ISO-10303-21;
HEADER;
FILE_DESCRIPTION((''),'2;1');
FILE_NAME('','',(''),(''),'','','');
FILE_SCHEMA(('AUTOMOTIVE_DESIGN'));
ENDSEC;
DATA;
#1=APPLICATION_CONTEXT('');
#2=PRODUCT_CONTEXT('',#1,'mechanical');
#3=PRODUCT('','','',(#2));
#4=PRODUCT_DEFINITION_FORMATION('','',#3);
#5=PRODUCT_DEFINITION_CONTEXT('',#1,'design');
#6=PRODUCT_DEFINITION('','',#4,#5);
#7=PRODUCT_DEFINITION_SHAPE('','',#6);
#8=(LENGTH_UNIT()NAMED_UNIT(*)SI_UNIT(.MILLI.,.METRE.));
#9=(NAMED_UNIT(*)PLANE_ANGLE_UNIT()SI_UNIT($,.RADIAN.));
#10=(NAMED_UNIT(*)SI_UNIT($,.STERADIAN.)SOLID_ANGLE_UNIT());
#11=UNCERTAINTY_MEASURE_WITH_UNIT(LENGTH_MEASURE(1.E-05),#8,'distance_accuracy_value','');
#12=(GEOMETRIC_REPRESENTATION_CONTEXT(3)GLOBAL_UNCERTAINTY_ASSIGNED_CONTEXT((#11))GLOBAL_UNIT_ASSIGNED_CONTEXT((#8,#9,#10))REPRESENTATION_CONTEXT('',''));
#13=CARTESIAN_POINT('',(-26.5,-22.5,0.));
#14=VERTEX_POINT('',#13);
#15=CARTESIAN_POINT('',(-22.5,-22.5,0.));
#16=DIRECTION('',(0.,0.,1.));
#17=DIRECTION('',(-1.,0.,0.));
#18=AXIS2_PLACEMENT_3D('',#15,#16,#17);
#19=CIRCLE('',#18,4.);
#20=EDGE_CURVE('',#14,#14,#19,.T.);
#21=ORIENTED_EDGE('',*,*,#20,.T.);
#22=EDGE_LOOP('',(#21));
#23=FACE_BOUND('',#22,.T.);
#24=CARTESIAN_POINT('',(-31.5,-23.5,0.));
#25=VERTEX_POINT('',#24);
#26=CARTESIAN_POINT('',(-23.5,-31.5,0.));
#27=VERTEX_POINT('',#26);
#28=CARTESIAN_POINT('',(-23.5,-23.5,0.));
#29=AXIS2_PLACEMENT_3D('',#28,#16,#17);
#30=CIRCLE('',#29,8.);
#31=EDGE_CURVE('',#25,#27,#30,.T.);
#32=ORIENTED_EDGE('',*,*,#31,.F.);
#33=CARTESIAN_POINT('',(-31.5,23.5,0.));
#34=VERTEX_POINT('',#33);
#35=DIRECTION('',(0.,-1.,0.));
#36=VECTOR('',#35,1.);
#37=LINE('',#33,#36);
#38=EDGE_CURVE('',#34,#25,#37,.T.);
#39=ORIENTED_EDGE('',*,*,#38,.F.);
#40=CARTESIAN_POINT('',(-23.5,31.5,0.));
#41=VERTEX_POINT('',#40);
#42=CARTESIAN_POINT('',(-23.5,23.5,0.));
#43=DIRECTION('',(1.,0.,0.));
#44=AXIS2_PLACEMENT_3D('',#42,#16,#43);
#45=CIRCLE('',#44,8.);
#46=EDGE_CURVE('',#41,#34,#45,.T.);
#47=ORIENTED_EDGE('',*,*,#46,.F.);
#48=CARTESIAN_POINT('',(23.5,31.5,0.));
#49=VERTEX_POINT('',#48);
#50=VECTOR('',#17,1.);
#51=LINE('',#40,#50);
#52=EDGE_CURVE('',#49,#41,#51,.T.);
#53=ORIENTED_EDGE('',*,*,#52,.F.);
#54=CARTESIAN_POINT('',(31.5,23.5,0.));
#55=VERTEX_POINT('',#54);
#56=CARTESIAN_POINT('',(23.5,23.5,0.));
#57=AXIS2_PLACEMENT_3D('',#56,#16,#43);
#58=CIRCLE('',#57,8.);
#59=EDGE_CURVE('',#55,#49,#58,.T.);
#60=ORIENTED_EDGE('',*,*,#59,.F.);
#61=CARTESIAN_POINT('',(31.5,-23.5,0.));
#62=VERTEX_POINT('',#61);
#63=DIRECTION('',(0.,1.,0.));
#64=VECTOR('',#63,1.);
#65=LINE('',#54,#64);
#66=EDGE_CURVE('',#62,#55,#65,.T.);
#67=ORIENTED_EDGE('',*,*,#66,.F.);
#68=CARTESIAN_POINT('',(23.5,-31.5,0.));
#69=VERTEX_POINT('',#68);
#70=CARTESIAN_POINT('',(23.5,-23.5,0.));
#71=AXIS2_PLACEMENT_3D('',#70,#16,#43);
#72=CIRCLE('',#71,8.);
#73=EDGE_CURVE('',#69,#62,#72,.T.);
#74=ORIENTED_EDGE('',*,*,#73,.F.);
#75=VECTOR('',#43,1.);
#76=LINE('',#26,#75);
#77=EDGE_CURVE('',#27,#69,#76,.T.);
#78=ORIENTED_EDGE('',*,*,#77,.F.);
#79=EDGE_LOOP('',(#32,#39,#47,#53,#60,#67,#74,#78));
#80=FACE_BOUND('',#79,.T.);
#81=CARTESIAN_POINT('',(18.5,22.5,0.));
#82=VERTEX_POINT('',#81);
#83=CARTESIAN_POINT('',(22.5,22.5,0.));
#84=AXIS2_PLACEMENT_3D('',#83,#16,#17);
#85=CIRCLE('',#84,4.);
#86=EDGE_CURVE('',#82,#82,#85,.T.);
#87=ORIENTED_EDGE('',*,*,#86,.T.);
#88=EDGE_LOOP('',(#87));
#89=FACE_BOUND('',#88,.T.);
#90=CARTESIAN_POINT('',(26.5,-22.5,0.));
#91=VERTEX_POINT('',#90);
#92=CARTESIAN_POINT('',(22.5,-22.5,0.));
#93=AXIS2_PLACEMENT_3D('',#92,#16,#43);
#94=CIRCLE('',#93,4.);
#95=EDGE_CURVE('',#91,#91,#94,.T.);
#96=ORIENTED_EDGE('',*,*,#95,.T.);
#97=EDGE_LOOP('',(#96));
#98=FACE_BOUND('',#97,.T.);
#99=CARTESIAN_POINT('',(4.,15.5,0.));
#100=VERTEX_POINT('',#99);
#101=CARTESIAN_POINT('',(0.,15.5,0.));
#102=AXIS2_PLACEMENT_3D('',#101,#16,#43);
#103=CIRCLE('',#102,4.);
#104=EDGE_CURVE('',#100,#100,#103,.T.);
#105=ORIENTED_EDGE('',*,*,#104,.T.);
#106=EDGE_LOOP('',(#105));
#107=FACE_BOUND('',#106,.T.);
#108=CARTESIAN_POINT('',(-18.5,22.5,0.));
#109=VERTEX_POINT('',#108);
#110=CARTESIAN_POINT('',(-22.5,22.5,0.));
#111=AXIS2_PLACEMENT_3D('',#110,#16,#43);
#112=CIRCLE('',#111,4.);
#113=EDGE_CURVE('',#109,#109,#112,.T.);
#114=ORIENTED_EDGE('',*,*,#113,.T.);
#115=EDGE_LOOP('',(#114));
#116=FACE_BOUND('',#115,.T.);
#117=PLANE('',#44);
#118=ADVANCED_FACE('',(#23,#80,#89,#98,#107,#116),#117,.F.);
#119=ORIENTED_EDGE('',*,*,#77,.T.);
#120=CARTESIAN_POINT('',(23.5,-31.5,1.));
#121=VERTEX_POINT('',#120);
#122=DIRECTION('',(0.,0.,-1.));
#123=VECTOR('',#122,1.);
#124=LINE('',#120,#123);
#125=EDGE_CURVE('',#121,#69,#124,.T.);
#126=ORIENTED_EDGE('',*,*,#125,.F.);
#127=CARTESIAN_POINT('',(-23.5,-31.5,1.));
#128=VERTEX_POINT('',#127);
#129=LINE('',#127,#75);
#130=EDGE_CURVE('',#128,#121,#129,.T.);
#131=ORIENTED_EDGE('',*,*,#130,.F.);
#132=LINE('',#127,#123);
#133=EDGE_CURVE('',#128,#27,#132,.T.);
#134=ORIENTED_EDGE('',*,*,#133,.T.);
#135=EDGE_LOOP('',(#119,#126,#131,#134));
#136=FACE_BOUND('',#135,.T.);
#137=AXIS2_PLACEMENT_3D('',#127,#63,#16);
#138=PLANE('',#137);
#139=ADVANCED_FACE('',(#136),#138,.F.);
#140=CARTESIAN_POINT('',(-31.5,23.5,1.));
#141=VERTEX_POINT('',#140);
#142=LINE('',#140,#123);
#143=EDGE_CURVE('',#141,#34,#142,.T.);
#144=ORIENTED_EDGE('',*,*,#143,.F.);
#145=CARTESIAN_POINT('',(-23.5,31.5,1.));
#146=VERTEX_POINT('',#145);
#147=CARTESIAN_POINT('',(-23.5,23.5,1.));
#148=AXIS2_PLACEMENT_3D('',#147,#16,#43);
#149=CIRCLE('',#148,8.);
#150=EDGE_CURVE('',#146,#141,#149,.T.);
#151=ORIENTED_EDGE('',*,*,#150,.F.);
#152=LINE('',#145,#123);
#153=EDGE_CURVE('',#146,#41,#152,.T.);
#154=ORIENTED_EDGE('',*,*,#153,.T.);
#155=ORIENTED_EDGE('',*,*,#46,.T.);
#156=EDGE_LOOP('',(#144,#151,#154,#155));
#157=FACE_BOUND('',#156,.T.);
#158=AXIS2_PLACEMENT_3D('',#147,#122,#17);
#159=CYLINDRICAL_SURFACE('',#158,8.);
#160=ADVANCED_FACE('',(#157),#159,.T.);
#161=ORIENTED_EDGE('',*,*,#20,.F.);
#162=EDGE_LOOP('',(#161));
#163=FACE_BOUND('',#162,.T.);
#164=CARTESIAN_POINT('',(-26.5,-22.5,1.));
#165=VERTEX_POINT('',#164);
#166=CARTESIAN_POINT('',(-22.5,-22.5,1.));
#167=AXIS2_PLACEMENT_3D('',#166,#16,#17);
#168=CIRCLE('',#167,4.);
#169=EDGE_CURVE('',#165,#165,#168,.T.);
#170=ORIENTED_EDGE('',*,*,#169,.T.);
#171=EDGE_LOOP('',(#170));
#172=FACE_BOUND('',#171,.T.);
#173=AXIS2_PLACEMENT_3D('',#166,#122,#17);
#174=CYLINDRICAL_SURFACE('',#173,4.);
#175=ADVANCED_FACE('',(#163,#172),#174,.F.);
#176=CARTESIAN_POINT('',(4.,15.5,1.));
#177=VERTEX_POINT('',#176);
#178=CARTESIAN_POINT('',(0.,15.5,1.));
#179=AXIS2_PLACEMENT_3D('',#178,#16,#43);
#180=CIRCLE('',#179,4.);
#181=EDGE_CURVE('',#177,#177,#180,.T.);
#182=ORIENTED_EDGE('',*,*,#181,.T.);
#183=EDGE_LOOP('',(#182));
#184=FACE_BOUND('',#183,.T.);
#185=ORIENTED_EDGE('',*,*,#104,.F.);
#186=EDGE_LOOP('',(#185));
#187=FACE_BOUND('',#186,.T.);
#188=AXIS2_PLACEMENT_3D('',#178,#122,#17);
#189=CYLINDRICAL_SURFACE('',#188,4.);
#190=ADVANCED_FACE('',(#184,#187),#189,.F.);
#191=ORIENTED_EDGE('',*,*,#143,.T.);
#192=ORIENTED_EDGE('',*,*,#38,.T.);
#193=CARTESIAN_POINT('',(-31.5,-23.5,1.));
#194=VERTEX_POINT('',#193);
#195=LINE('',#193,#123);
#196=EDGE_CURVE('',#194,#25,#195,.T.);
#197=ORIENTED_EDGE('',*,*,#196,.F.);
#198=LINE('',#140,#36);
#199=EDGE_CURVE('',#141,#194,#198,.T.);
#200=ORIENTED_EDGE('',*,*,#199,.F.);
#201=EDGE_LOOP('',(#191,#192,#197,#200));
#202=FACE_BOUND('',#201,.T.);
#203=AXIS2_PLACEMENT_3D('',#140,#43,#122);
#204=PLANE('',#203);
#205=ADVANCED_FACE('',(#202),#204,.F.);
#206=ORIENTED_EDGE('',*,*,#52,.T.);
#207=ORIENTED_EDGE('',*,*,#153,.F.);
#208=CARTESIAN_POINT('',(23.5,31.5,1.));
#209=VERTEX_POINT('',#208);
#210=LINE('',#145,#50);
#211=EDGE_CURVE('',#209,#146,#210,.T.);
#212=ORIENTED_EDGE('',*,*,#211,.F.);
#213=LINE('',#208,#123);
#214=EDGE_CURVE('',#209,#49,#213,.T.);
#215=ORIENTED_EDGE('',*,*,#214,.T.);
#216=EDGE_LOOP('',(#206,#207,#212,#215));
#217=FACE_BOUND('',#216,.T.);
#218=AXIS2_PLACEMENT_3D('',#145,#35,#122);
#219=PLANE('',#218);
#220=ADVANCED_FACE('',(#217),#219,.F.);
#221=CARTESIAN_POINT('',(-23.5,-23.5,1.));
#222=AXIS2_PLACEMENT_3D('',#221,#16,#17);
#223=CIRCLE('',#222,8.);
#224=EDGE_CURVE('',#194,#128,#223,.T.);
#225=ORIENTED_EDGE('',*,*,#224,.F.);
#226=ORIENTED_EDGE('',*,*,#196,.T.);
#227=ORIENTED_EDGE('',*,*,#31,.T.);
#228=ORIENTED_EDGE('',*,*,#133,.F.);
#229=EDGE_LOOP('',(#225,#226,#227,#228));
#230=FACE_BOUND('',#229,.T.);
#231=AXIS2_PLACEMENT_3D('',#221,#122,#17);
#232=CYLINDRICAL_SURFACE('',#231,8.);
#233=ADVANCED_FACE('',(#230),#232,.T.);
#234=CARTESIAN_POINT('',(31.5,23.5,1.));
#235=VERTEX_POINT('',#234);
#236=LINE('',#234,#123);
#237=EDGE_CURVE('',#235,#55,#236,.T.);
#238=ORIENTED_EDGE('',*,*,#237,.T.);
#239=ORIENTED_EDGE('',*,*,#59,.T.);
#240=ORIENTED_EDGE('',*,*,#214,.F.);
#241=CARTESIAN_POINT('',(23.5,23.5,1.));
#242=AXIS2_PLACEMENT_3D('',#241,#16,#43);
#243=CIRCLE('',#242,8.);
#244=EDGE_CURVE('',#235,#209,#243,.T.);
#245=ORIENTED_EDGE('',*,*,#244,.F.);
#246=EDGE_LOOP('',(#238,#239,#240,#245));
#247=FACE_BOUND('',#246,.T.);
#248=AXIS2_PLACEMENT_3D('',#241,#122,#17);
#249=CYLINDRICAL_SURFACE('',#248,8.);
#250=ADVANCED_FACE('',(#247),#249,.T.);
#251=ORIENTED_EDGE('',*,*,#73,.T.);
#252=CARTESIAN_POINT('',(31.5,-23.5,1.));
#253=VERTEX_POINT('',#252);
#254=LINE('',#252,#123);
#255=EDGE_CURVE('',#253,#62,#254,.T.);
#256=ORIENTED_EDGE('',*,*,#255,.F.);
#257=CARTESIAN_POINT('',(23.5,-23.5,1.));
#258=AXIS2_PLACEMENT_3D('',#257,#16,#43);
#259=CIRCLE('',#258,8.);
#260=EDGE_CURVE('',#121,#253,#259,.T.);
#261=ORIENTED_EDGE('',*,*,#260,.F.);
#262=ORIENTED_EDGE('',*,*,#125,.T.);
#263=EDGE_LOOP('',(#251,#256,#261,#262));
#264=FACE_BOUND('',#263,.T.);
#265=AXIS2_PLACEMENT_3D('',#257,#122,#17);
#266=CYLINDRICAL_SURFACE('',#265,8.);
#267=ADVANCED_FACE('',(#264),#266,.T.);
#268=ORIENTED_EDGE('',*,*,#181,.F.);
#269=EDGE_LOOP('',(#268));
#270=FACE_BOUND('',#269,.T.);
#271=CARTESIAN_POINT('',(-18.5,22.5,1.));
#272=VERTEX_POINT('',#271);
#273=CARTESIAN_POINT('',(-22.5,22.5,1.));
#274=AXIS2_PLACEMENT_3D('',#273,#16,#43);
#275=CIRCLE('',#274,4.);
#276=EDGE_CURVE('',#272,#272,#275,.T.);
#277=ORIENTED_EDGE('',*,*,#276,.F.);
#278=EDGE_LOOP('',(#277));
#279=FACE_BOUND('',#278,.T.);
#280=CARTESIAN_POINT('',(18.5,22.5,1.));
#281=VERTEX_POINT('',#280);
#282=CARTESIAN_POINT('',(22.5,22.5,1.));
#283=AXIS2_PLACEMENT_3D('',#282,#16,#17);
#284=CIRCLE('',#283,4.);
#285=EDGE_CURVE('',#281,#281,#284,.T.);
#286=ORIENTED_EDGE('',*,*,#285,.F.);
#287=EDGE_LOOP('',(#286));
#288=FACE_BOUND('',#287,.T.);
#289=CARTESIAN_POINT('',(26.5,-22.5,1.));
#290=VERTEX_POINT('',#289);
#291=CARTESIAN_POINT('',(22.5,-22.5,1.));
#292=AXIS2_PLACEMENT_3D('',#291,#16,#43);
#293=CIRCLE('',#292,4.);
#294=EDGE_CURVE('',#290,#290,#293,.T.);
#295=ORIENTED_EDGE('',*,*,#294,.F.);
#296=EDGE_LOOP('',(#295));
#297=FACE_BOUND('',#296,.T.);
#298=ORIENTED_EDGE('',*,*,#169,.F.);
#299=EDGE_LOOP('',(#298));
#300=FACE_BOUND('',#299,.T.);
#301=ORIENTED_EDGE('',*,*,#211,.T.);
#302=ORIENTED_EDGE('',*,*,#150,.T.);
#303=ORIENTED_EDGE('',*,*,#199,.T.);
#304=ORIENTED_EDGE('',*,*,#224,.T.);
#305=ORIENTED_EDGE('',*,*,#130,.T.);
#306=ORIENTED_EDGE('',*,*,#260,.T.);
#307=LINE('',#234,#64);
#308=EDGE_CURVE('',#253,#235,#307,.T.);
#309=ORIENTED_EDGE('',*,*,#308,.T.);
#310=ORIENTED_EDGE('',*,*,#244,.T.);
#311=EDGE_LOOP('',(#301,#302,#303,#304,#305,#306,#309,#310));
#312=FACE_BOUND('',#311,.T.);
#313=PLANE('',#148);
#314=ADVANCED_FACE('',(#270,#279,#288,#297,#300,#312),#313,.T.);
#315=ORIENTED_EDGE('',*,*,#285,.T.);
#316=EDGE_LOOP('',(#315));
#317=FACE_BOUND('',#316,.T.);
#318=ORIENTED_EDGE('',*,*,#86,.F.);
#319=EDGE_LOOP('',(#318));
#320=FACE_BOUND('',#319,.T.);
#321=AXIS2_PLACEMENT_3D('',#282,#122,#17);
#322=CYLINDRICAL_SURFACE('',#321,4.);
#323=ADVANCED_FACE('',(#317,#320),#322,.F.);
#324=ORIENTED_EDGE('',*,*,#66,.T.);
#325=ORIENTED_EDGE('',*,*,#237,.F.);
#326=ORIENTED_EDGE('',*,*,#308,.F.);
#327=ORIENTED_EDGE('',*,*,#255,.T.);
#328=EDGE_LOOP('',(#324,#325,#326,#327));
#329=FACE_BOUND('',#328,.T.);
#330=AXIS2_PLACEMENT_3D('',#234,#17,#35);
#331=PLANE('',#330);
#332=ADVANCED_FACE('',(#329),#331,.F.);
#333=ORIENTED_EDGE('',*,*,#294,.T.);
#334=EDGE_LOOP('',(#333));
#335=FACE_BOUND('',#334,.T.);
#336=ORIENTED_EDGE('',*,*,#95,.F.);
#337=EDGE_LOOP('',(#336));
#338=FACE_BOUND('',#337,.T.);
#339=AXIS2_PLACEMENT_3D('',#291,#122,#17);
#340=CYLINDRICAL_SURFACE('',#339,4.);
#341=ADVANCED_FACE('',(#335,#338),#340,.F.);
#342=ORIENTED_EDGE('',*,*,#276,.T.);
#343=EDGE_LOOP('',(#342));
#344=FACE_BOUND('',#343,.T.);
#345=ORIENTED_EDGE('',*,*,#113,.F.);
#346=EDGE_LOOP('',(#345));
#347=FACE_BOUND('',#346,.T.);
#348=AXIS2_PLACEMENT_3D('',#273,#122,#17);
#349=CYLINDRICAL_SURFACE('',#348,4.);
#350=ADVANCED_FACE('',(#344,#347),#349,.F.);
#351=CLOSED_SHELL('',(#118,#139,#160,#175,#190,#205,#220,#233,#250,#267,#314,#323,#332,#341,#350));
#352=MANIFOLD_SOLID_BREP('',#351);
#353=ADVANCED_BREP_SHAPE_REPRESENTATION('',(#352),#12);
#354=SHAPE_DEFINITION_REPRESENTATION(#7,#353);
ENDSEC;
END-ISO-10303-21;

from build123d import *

# Parameters (mm, degrees)
SKETCH_1_R      = 4
EXTRUDE_1_DEPTH = 1


with BuildPart() as part:
    # 草图1 → 凸台-拉伸1 (new body)
    with BuildSketch(Plane.XY):
        with BuildLine():
            Line((-23.5, 31.5), (23.5, 31.5))
            ThreePointArc((23.5, 31.5), (29.156854249, 29.156854249), (31.5, 23.5))
            Line((31.5, 23.5), (31.5, -23.5))
            ThreePointArc((31.5, -23.5), (29.156854249, -29.156854249), (23.5, -31.5))
            Line((23.5, -31.5), (-23.5, -31.5))
            ThreePointArc((-23.5, -31.5), (-29.156854249, -29.156854249), (-31.5, -23.5))
            Line((-31.5, -23.5), (-31.5, 23.5))
            ThreePointArc((-31.5, 23.5), (-29.156854249, 29.156854249), (-23.5, 31.5))
        make_face()
        with Locations((-22.5, 22.5)):
            Circle(SKETCH_1_R, mode=Mode.SUBTRACT)
        with Locations(Location((22.5, 22.5, 0), (0, 0, 180))):
            Circle(SKETCH_1_R, mode=Mode.SUBTRACT)
        with Locations((22.5, -22.5)):
            Circle(SKETCH_1_R, mode=Mode.SUBTRACT)
        with Locations(Location((-22.5, -22.5, 0), (0, 0, 180))):
            Circle(SKETCH_1_R, mode=Mode.SUBTRACT)
        with Locations((0, 15.5)):
            Circle(SKETCH_1_R, mode=Mode.SUBTRACT)
    extrude(amount=EXTRUDE_1_DEPTH)


solid = part.part
